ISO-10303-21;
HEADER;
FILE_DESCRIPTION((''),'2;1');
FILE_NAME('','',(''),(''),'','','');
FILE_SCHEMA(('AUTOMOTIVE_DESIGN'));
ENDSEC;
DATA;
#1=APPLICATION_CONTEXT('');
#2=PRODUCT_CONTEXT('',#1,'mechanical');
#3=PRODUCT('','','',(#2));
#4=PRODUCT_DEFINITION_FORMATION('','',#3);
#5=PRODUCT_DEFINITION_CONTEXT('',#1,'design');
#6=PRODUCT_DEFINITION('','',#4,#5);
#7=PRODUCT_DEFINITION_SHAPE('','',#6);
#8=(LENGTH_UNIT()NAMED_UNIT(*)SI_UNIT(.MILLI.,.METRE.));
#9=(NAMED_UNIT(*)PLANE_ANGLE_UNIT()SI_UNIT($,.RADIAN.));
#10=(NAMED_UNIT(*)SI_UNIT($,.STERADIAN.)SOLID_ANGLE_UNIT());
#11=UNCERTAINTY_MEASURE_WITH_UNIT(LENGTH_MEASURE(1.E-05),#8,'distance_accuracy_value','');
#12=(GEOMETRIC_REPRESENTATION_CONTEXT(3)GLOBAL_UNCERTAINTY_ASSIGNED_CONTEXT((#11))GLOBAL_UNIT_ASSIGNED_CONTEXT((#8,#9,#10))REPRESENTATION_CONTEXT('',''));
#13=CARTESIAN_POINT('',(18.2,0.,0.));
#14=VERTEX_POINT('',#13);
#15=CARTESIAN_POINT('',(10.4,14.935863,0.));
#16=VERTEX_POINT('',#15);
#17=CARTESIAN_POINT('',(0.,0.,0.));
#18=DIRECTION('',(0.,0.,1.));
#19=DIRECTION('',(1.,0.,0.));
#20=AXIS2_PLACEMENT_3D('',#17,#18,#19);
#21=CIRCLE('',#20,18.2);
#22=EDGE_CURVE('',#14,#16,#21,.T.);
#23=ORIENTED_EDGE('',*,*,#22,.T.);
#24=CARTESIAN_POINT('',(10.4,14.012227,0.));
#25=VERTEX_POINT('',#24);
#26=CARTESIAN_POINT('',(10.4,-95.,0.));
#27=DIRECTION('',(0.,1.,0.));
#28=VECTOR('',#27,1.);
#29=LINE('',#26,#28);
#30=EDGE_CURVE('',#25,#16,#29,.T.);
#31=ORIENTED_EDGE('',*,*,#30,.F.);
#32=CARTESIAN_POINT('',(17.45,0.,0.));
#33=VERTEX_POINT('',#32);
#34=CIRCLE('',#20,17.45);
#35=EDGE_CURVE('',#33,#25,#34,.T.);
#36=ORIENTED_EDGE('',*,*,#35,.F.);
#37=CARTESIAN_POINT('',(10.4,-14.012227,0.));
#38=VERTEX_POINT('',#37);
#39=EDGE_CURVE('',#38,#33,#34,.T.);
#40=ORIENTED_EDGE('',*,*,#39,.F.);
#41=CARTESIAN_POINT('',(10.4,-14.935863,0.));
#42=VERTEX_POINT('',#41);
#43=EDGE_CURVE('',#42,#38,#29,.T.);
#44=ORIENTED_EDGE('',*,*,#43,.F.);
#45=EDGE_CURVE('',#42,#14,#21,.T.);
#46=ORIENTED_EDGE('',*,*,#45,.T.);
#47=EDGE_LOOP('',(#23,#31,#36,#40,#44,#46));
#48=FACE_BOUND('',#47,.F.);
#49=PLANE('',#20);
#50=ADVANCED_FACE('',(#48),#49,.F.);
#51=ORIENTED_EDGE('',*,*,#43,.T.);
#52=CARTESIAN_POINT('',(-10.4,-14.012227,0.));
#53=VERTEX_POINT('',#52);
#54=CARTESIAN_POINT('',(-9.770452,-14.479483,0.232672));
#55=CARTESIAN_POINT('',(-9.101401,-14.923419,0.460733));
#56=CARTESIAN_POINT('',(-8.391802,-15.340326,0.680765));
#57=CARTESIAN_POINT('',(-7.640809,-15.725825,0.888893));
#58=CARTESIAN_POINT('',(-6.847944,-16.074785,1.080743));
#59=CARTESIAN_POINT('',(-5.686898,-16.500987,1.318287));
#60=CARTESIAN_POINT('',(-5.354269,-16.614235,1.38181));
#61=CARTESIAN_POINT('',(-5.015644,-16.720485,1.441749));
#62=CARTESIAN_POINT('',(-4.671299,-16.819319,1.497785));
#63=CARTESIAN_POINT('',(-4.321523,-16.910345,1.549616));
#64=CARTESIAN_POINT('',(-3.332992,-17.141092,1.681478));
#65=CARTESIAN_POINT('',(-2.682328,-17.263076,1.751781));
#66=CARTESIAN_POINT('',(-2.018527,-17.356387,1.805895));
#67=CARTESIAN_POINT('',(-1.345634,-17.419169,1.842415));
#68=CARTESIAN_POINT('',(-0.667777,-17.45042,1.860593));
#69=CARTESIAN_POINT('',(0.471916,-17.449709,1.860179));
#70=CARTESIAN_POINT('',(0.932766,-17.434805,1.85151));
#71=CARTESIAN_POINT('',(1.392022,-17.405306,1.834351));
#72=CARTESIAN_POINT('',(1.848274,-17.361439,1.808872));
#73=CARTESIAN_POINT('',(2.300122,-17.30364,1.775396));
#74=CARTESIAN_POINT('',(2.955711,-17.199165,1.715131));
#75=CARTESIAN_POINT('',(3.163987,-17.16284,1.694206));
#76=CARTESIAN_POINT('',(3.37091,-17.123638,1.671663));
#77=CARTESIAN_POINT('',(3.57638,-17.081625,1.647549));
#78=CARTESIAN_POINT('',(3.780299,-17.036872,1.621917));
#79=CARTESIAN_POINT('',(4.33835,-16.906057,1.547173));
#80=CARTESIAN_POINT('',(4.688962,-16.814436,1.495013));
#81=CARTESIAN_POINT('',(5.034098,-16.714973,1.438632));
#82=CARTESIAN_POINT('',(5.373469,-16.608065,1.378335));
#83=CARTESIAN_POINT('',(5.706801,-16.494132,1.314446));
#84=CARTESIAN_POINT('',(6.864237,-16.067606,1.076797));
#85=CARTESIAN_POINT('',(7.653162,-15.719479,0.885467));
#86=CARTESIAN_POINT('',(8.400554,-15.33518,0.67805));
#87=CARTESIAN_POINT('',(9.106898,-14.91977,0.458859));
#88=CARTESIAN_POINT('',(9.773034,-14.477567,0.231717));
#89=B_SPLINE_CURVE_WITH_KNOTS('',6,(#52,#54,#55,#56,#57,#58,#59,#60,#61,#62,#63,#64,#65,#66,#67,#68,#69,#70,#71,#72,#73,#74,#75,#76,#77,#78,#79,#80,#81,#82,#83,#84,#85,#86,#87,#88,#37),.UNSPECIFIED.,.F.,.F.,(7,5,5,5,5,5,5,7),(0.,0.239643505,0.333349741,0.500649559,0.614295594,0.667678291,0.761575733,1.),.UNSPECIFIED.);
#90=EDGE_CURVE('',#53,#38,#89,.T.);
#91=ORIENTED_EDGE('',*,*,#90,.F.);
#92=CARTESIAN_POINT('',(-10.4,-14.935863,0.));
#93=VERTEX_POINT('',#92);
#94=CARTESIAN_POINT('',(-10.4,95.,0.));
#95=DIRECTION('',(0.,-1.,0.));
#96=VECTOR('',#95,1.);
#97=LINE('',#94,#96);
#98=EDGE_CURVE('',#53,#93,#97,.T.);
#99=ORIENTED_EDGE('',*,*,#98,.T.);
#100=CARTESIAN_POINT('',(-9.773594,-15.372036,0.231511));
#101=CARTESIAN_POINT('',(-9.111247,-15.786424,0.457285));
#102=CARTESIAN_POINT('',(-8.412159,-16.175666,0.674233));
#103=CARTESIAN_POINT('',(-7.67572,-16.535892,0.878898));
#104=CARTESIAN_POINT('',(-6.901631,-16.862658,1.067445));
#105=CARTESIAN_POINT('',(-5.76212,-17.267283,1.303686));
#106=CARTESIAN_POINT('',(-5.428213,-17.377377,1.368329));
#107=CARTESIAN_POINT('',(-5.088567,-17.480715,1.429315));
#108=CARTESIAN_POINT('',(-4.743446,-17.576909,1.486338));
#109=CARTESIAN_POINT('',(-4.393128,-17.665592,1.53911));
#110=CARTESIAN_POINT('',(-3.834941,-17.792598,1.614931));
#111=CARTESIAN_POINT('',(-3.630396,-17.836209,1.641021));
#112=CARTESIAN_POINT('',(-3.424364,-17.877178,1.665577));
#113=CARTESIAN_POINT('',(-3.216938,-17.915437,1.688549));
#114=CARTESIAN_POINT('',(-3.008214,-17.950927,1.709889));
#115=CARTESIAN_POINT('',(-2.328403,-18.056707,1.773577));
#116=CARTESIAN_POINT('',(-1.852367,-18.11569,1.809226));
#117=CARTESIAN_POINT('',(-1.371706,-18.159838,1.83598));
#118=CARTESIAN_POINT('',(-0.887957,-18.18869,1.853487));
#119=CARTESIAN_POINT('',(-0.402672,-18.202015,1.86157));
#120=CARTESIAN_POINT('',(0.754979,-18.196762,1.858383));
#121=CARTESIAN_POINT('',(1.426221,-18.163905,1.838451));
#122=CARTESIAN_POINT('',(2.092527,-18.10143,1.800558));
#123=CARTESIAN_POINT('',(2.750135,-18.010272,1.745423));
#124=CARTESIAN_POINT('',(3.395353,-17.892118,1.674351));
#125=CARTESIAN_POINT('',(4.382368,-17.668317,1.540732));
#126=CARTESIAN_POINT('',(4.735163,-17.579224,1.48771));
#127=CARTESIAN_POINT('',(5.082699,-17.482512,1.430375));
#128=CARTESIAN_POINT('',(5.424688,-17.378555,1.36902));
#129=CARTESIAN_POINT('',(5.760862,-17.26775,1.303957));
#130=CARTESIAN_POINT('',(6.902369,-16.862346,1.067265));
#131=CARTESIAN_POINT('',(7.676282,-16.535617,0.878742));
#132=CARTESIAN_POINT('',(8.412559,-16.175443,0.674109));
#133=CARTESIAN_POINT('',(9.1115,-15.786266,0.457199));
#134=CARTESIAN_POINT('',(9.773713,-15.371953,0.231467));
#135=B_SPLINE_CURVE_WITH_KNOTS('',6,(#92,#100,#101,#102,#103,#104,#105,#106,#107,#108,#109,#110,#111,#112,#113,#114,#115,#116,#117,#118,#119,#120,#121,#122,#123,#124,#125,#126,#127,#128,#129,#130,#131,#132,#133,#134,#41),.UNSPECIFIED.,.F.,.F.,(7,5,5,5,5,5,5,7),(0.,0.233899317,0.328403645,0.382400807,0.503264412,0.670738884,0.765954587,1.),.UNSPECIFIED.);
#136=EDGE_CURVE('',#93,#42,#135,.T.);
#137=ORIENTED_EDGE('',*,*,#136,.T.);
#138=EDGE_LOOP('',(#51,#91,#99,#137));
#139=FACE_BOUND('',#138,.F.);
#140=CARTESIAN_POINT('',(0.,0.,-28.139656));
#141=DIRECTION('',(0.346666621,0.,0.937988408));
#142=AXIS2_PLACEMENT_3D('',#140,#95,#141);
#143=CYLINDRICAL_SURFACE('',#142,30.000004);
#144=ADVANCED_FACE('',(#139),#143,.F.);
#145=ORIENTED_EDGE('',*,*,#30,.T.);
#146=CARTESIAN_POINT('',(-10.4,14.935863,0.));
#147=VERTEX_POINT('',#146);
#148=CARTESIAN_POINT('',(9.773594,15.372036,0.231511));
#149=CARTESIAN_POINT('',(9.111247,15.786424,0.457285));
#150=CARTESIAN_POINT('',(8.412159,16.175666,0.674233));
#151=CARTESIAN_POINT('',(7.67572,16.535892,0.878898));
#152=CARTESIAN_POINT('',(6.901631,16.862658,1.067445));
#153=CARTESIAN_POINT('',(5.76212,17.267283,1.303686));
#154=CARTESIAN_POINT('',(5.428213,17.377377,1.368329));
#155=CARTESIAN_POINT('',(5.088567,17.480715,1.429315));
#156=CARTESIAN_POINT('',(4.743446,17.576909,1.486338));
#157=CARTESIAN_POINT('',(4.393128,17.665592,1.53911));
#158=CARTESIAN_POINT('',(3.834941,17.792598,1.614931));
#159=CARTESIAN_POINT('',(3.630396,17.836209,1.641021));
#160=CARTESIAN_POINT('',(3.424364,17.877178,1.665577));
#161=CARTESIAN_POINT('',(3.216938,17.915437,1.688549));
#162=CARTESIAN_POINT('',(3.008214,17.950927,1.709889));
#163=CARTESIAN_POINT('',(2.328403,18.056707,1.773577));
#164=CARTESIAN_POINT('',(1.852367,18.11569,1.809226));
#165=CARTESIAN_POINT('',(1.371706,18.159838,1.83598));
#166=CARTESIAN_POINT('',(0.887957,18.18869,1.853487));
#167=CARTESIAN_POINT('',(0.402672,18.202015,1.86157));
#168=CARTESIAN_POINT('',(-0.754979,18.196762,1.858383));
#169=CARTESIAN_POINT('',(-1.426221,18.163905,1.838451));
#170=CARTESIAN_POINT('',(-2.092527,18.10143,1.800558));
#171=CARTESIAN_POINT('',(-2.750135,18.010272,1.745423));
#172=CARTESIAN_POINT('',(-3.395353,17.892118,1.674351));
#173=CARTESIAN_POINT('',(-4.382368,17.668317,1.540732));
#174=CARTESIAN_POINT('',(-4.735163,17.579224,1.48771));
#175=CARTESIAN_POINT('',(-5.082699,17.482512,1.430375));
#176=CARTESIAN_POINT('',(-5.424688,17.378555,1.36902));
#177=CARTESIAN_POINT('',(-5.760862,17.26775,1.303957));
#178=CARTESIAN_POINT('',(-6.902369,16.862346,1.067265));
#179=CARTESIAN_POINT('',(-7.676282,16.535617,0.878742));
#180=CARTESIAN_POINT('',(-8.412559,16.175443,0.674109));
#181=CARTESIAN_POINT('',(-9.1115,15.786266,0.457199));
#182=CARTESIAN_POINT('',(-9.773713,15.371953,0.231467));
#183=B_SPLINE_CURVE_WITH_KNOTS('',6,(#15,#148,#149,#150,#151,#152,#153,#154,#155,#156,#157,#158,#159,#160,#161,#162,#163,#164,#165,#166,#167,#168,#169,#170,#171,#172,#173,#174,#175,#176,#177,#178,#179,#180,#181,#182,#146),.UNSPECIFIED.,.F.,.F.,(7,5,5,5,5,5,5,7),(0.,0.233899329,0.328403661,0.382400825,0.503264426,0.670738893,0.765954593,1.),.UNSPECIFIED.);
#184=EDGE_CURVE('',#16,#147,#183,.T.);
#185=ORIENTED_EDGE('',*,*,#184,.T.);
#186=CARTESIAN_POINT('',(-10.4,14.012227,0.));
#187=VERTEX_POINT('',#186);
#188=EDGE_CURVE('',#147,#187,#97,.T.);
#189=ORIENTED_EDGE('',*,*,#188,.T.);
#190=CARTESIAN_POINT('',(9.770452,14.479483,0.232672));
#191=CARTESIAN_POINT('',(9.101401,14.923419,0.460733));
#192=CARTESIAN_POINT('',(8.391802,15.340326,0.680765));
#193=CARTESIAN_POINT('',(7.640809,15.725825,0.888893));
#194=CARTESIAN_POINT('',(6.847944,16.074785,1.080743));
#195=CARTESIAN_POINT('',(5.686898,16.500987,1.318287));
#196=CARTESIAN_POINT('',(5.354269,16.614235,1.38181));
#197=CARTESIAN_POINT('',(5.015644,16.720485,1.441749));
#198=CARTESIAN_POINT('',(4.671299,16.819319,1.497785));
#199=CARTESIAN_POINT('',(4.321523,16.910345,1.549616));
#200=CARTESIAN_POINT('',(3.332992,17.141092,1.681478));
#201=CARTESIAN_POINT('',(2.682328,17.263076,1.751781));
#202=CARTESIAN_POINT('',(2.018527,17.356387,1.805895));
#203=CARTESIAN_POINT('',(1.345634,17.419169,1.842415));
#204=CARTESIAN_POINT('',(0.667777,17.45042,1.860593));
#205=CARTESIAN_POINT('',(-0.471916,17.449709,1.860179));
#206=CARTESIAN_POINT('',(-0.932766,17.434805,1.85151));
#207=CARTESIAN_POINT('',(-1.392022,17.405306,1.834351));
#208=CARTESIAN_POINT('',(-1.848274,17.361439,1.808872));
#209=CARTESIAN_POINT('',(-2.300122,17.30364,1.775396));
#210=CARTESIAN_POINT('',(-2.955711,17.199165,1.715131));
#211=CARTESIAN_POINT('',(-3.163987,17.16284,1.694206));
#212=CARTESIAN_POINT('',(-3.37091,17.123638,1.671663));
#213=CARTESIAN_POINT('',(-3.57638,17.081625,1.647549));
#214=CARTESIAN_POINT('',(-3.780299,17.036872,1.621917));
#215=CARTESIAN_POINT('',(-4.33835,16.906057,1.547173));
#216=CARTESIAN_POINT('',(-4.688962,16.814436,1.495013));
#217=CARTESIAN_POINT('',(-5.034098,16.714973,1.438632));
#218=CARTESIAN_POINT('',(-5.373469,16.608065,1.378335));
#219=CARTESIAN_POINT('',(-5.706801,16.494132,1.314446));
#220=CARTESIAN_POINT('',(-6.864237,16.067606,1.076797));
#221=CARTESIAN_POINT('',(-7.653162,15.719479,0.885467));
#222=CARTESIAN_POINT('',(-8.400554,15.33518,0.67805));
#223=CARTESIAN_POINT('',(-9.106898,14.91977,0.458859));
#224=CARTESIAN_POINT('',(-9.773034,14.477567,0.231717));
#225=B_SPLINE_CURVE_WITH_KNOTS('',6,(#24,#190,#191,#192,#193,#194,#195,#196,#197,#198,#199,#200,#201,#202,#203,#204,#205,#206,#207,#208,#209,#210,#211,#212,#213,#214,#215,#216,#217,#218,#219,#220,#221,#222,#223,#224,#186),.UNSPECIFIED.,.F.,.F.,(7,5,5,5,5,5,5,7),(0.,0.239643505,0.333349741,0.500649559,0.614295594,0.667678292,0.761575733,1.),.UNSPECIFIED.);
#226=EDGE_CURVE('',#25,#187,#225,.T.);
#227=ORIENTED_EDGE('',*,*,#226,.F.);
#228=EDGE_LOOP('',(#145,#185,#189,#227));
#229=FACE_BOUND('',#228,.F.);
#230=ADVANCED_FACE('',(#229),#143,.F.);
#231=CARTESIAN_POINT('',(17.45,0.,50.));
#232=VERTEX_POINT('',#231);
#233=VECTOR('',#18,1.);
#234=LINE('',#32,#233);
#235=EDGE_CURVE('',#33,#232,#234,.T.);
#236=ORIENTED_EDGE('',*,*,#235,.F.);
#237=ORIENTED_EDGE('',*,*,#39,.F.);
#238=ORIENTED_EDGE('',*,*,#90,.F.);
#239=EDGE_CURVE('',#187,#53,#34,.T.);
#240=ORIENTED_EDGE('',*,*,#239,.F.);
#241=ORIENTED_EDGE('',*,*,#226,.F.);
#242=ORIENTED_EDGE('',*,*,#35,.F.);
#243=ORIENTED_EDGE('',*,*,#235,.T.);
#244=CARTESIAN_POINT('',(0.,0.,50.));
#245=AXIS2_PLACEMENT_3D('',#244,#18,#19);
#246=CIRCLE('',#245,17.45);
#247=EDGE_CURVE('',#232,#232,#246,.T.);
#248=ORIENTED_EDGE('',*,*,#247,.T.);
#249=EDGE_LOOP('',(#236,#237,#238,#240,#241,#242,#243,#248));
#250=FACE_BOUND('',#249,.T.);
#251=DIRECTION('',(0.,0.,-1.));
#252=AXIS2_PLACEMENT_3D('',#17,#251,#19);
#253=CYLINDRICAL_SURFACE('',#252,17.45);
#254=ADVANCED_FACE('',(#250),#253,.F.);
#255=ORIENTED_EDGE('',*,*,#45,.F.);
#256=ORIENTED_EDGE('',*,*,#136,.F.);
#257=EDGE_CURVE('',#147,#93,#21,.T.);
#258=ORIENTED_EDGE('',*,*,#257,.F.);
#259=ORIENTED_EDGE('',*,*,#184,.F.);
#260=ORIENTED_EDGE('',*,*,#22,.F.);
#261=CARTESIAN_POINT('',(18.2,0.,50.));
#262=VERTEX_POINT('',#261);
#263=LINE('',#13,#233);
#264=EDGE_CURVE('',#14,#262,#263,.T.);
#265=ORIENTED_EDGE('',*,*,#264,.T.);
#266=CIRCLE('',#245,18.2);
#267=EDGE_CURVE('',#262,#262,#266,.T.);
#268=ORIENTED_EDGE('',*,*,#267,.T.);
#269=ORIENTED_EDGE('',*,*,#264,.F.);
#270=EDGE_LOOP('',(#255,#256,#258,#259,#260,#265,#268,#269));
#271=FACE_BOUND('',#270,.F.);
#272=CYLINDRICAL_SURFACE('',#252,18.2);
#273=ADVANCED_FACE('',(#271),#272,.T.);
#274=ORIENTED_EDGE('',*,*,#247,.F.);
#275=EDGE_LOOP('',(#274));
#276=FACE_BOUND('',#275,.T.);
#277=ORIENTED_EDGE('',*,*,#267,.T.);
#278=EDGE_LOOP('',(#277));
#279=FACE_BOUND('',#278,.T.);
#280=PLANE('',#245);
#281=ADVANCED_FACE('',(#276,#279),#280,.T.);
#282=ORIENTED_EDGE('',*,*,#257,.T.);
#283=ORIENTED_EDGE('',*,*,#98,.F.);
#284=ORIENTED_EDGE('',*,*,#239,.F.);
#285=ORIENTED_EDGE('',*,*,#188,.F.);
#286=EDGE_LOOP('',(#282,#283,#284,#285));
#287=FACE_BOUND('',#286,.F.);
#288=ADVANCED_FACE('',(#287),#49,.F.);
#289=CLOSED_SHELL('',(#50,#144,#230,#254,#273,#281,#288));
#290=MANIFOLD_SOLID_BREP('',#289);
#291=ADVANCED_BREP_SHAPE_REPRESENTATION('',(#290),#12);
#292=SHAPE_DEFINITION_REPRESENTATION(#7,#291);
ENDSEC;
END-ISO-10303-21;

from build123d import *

# Parameters (mm, degrees)
F0_R     = 18.2
F0_R_2   = 17.45
F1_DEPTH = 50
F3_DEPTH = 95


with BuildPart() as f1:
    # F0 (on Top) → F1 (new body)
    with BuildSketch(Plane.XY):
        Circle(F0_R)
        Circle(F0_R_2, mode=Mode.SUBTRACT)
    extrude(amount=F1_DEPTH)

    # F2 (on Front) → F3 (cut, symmetric)
    with BuildSketch(Plane.XZ):
        with BuildLine():
            ThreePointArc((10.4, 0), (0, 1.860348), (-10.4, 0))
            Line((-10.4, 0), (10.4, 0))
        make_face()
    extrude(amount=F3_DEPTH, both=True, mode=Mode.SUBTRACT)


solid = f1.part
